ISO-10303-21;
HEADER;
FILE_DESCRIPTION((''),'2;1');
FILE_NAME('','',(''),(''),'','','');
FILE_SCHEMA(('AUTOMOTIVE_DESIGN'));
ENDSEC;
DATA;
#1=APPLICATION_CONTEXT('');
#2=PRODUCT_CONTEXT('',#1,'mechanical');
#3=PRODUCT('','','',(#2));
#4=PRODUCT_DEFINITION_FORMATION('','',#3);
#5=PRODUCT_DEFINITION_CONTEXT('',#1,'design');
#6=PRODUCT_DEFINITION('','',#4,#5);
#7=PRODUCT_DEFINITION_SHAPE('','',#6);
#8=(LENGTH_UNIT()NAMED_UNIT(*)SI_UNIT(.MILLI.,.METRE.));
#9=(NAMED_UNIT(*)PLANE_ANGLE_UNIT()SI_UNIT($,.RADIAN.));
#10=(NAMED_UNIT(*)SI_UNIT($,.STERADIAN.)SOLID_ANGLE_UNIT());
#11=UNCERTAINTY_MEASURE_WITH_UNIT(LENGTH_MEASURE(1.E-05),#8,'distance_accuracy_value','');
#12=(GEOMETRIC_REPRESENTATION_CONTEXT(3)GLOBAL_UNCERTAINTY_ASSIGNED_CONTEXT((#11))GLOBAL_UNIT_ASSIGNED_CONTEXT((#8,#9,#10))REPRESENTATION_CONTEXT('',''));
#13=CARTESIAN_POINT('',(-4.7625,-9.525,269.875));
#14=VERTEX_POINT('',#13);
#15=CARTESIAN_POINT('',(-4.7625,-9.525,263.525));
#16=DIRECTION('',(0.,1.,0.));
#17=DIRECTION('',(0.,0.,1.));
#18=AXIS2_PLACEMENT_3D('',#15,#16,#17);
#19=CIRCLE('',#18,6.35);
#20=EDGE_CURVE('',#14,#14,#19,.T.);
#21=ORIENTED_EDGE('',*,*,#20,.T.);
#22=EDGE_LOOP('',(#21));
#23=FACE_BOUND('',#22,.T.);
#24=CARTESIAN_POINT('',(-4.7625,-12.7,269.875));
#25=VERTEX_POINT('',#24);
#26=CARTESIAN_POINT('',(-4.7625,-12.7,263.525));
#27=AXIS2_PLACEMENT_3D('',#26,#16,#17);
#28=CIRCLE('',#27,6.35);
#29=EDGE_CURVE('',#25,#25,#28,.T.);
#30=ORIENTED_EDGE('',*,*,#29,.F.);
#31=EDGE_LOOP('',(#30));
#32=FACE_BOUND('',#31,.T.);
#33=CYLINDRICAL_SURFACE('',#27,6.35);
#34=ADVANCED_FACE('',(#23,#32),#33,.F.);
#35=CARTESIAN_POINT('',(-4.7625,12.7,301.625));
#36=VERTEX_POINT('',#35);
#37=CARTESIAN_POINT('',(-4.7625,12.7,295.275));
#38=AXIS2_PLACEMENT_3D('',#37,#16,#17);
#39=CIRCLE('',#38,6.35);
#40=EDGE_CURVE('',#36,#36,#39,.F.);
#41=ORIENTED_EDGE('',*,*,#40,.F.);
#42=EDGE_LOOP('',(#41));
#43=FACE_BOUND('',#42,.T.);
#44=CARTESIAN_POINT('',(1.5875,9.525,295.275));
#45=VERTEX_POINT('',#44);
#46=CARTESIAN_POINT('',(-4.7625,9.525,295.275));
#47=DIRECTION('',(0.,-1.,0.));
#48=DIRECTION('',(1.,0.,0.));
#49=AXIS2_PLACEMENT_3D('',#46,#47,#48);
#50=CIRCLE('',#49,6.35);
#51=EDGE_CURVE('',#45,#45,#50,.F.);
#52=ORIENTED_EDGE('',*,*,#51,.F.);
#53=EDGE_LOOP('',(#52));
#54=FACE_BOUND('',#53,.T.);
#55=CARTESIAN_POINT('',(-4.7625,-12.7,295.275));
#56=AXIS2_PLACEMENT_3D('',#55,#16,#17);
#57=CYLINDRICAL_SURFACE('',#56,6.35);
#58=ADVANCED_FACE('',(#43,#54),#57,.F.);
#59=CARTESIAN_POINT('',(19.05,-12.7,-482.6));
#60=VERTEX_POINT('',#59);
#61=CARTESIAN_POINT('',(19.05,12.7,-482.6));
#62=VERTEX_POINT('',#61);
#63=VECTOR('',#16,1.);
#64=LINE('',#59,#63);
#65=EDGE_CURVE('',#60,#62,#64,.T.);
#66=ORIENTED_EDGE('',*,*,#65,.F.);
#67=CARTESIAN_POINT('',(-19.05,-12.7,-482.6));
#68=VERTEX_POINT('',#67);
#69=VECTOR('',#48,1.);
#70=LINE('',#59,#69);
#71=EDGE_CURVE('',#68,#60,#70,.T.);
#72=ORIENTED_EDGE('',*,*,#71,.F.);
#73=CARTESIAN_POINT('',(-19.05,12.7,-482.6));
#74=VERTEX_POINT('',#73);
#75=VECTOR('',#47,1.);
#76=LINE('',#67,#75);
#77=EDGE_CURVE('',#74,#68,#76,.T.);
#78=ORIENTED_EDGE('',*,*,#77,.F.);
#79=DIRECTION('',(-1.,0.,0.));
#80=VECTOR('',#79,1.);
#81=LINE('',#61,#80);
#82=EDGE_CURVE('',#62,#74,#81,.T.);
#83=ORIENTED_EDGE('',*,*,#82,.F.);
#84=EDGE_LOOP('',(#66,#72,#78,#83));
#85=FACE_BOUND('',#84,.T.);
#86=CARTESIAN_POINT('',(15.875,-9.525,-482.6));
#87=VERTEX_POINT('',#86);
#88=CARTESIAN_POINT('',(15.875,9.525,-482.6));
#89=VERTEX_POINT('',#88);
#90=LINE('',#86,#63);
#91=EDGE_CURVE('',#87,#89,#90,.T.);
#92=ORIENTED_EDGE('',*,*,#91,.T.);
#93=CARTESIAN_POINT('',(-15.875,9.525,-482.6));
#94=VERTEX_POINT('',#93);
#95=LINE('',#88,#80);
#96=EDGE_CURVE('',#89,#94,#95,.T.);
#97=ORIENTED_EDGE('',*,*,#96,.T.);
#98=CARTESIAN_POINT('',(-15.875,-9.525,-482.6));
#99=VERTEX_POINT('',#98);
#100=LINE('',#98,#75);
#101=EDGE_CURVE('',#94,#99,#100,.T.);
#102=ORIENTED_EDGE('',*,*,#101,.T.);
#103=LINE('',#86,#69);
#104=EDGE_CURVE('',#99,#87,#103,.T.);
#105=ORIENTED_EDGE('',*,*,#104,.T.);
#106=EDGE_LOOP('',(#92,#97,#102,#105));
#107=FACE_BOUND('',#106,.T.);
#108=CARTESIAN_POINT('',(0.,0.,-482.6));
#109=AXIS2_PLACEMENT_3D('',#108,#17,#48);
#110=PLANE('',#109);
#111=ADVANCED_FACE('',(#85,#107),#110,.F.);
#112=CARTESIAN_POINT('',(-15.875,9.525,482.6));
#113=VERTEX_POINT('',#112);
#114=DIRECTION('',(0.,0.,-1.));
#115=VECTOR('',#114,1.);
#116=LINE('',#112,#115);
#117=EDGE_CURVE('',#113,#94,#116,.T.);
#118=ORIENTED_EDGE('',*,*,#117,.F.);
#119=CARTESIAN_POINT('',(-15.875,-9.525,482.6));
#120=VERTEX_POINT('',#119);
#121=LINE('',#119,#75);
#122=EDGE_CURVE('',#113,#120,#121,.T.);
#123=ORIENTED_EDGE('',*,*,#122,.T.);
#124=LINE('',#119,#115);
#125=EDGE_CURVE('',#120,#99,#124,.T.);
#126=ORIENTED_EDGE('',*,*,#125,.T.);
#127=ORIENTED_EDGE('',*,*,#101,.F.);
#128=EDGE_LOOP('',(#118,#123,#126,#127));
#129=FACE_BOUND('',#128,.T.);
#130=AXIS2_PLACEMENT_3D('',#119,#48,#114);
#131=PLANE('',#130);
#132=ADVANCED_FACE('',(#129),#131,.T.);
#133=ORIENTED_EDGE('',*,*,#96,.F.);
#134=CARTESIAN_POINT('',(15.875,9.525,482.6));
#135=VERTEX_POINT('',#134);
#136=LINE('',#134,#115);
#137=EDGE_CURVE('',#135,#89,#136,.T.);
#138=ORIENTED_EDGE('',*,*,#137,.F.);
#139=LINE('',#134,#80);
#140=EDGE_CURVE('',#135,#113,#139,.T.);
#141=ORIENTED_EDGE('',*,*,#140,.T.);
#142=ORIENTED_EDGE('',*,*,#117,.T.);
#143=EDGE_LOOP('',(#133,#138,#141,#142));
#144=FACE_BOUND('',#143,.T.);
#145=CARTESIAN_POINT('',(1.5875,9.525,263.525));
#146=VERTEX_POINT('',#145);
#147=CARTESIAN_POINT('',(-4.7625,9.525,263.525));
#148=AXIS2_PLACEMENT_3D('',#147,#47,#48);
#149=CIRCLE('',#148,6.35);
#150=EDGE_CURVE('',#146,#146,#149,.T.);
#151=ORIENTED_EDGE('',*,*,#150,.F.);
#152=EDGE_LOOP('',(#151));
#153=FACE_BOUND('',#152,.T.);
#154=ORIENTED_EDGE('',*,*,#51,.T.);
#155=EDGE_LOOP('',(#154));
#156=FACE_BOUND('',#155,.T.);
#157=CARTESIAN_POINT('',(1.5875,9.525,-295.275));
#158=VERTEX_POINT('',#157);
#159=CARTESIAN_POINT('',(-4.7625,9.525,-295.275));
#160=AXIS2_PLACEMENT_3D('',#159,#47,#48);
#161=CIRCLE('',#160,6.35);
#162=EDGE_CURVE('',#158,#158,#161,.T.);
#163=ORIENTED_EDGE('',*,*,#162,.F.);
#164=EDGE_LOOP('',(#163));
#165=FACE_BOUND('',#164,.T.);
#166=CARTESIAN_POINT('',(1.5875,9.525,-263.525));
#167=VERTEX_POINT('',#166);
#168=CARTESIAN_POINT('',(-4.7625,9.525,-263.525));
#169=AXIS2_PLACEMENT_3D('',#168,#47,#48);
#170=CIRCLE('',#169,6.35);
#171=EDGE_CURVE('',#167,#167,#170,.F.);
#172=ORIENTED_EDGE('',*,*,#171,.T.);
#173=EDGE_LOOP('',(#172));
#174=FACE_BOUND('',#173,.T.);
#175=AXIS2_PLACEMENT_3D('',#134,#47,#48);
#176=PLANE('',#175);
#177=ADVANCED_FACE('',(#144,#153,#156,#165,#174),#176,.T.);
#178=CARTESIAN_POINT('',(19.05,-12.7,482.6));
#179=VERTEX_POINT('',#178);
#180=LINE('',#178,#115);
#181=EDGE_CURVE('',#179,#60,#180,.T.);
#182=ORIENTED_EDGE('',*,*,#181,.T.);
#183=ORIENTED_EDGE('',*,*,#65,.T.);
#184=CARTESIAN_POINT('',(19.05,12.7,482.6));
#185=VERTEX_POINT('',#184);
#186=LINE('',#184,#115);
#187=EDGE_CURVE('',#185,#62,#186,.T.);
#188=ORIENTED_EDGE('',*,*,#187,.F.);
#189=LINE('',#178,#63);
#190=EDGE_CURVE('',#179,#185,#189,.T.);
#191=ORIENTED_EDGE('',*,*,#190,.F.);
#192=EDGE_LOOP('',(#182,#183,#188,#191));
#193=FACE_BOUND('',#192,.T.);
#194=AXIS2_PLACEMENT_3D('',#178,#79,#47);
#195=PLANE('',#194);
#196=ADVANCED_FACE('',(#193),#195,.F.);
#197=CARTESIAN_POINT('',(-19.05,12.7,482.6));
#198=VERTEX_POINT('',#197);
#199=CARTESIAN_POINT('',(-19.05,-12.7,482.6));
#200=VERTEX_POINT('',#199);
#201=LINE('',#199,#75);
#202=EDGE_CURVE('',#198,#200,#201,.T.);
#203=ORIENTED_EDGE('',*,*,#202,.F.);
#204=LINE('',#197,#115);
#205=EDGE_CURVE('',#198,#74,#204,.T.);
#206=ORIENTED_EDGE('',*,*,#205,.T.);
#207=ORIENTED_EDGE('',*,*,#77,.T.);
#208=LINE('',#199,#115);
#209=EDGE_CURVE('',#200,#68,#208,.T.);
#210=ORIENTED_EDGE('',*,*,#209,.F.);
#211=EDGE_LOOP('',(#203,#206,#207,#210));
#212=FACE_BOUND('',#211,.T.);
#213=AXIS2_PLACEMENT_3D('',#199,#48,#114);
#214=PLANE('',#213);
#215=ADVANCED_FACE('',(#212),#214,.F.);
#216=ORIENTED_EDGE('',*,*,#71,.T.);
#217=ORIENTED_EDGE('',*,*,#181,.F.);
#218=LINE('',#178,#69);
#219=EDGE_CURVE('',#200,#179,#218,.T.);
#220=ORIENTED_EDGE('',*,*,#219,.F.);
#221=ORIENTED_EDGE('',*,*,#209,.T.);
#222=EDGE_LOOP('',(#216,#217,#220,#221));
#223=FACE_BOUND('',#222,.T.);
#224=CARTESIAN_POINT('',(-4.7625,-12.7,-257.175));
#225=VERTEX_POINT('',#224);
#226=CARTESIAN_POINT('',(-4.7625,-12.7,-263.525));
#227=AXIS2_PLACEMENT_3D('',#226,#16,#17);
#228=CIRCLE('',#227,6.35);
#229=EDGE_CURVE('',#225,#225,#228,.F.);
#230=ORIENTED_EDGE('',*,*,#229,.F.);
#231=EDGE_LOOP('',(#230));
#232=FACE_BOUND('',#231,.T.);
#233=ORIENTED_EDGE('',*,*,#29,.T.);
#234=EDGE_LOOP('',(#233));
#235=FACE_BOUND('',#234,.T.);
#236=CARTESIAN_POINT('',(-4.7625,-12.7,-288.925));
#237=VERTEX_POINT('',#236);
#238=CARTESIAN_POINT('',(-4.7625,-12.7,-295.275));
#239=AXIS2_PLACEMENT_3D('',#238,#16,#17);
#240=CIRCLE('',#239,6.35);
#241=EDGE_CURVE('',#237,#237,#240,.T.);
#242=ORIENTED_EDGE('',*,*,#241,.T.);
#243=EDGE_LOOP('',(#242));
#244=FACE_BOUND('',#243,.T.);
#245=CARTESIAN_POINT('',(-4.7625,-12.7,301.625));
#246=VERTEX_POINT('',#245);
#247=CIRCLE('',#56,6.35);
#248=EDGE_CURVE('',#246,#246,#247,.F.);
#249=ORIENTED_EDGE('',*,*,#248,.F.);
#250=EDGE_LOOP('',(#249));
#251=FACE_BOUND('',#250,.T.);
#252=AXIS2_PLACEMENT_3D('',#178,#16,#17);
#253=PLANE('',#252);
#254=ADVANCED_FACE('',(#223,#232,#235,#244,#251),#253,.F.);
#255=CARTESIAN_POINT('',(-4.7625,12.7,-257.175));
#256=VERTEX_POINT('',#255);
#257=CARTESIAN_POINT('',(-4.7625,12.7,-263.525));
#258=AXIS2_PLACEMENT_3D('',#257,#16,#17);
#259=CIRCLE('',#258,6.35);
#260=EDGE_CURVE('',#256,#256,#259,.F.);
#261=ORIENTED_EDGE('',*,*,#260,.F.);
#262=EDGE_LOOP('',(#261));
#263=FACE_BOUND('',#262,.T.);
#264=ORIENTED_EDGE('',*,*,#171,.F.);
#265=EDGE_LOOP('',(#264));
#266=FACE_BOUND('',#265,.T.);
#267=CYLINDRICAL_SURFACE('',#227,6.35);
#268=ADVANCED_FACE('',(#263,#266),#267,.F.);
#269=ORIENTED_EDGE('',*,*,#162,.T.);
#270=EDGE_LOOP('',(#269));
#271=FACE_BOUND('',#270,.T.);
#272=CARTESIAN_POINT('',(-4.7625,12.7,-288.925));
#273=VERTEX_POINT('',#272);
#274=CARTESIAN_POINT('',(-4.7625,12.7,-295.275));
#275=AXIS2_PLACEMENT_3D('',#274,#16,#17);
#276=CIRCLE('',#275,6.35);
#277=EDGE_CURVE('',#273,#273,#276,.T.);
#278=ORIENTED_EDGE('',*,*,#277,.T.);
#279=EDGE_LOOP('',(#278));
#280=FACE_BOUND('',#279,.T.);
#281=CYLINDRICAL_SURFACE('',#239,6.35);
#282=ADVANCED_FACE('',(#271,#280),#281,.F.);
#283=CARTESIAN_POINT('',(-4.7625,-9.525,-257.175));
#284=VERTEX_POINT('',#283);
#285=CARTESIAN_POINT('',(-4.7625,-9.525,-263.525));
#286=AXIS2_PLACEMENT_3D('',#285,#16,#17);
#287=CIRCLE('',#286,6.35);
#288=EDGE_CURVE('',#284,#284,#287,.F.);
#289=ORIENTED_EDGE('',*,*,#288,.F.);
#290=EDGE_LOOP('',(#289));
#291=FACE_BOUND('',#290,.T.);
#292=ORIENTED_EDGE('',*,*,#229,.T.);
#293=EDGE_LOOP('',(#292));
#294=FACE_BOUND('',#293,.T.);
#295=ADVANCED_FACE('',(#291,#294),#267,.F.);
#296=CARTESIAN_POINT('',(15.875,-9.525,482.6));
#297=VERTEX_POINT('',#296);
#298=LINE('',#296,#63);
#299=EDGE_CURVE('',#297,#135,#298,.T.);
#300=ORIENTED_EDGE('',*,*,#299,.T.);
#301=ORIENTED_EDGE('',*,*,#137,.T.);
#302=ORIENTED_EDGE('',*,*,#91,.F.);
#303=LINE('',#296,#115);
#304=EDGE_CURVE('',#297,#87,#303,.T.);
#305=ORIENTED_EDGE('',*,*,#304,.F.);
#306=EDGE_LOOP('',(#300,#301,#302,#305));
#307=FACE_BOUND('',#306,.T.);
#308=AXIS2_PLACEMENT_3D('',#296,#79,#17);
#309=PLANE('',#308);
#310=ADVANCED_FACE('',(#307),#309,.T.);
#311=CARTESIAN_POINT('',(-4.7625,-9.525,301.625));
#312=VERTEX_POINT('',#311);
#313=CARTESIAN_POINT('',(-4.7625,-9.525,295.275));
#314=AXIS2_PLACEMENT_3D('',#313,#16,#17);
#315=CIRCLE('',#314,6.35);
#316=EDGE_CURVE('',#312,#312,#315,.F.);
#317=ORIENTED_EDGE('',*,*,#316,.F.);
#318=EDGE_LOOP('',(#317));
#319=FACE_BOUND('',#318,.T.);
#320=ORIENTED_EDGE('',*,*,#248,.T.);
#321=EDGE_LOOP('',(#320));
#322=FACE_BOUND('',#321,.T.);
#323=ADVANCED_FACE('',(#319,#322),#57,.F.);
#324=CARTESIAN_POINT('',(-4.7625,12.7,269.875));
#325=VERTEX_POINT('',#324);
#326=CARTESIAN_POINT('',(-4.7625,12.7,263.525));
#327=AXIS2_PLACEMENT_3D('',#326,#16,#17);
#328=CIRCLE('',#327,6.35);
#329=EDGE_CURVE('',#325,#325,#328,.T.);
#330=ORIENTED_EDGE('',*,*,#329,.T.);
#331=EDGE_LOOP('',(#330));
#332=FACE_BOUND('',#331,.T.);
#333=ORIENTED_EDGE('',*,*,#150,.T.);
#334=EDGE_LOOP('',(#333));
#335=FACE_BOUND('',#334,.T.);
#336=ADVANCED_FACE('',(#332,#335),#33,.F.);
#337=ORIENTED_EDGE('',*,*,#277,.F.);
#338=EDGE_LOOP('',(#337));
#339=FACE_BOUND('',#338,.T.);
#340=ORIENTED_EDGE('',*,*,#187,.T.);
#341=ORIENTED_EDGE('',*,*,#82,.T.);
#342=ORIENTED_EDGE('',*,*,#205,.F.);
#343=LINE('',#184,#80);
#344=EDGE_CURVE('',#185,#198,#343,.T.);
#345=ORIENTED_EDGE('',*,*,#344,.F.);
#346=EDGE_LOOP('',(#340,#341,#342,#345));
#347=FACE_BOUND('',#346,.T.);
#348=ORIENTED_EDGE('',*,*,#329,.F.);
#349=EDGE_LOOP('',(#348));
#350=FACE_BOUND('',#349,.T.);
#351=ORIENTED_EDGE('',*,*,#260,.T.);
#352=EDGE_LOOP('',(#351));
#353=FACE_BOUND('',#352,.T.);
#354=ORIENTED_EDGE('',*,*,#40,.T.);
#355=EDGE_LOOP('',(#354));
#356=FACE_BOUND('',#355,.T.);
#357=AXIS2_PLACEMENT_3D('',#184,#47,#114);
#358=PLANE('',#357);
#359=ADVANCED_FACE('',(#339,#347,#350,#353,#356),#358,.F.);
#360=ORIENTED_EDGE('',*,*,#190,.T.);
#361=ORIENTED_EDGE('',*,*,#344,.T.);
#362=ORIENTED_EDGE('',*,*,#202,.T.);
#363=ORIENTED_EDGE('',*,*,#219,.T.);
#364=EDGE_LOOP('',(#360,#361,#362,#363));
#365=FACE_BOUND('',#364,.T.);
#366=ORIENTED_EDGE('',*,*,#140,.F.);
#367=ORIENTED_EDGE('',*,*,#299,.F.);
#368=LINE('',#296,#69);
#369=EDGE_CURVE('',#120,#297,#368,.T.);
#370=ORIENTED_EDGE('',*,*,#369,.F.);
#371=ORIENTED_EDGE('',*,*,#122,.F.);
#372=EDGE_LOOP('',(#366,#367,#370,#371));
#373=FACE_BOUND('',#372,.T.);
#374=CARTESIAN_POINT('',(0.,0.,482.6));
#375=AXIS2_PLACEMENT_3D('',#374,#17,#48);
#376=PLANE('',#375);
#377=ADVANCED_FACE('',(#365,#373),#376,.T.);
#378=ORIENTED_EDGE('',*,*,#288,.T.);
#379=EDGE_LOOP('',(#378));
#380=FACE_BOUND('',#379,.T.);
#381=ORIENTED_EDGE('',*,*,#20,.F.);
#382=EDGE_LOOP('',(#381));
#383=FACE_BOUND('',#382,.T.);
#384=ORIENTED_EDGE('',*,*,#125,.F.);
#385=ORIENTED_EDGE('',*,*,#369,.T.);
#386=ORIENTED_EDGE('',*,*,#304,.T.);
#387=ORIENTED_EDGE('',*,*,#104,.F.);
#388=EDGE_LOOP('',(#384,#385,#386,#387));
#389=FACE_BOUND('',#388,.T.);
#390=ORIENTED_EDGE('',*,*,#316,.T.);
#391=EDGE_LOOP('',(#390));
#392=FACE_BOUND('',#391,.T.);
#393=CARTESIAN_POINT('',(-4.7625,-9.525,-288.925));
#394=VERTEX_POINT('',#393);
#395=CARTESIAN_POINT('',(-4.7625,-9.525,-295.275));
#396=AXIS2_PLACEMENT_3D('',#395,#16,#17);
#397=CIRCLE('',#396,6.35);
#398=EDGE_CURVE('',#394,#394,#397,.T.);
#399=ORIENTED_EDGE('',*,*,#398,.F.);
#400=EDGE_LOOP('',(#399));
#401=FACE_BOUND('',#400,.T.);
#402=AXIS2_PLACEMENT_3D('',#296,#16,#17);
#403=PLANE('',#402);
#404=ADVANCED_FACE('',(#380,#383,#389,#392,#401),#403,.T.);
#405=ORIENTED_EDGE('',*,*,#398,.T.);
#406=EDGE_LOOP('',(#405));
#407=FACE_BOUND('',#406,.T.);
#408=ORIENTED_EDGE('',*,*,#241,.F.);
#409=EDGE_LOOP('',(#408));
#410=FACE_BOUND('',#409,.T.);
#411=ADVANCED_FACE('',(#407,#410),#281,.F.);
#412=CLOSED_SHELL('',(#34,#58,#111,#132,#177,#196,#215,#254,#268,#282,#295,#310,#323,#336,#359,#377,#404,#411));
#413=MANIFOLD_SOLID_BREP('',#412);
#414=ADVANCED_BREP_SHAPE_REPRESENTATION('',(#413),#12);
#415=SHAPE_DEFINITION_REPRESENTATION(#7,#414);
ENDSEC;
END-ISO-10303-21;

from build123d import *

# Parameters (mm, degrees)
BOSS_EXTRUDE1_DEPTH      = 482.6
BOSS_EXTRUDE1_DEPTH_BACK = 482.6
SKETCH3_W                = 38.1
SKETCH3_H                = 25.4
SKETCH3_W_2              = 31.75
SKETCH3_H_2              = 19.05
SKETCH6_R                = 6.35
CUT_EXTRUDE1_DEPTH       = 484.643280218


with BuildPart() as part:
    # Sketch3 → Boss-Extrude1 (new, two sides: drawn at the far end of the back side and taken through both)
    with BuildSketch(Plane.XY.offset(-BOSS_EXTRUDE1_DEPTH_BACK)):
        Rectangle(SKETCH3_W, SKETCH3_H)
        Rectangle(SKETCH3_W_2, SKETCH3_H_2, mode=Mode.SUBTRACT)
    extrude(amount=BOSS_EXTRUDE1_DEPTH + BOSS_EXTRUDE1_DEPTH_BACK)

    # Sketch6 → Cut-Extrude1 (cut, through all)
    with BuildSketch(Plane(origin=(0, 12.7, 0), x_dir=(1, 0, 0), z_dir=(0, 1, 0))):
        with Locations(Location((-4.7625, -263.525, 0), (0, 0, 270))):
            Circle(SKETCH6_R)
        with Locations(Location((-4.7625, -295.275, 0), (0, 0, 270))):
            Circle(SKETCH6_R)
        with Locations(Location((-4.7625, 295.275, 0), (0, 0, 270))):
            Circle(SKETCH6_R)
        with Locations(Location((-4.7625, 263.525, 0), (0, 0, 270))):
            Circle(SKETCH6_R)
    extrude(amount=-CUT_EXTRUDE1_DEPTH, mode=Mode.SUBTRACT)


solid = part.part
